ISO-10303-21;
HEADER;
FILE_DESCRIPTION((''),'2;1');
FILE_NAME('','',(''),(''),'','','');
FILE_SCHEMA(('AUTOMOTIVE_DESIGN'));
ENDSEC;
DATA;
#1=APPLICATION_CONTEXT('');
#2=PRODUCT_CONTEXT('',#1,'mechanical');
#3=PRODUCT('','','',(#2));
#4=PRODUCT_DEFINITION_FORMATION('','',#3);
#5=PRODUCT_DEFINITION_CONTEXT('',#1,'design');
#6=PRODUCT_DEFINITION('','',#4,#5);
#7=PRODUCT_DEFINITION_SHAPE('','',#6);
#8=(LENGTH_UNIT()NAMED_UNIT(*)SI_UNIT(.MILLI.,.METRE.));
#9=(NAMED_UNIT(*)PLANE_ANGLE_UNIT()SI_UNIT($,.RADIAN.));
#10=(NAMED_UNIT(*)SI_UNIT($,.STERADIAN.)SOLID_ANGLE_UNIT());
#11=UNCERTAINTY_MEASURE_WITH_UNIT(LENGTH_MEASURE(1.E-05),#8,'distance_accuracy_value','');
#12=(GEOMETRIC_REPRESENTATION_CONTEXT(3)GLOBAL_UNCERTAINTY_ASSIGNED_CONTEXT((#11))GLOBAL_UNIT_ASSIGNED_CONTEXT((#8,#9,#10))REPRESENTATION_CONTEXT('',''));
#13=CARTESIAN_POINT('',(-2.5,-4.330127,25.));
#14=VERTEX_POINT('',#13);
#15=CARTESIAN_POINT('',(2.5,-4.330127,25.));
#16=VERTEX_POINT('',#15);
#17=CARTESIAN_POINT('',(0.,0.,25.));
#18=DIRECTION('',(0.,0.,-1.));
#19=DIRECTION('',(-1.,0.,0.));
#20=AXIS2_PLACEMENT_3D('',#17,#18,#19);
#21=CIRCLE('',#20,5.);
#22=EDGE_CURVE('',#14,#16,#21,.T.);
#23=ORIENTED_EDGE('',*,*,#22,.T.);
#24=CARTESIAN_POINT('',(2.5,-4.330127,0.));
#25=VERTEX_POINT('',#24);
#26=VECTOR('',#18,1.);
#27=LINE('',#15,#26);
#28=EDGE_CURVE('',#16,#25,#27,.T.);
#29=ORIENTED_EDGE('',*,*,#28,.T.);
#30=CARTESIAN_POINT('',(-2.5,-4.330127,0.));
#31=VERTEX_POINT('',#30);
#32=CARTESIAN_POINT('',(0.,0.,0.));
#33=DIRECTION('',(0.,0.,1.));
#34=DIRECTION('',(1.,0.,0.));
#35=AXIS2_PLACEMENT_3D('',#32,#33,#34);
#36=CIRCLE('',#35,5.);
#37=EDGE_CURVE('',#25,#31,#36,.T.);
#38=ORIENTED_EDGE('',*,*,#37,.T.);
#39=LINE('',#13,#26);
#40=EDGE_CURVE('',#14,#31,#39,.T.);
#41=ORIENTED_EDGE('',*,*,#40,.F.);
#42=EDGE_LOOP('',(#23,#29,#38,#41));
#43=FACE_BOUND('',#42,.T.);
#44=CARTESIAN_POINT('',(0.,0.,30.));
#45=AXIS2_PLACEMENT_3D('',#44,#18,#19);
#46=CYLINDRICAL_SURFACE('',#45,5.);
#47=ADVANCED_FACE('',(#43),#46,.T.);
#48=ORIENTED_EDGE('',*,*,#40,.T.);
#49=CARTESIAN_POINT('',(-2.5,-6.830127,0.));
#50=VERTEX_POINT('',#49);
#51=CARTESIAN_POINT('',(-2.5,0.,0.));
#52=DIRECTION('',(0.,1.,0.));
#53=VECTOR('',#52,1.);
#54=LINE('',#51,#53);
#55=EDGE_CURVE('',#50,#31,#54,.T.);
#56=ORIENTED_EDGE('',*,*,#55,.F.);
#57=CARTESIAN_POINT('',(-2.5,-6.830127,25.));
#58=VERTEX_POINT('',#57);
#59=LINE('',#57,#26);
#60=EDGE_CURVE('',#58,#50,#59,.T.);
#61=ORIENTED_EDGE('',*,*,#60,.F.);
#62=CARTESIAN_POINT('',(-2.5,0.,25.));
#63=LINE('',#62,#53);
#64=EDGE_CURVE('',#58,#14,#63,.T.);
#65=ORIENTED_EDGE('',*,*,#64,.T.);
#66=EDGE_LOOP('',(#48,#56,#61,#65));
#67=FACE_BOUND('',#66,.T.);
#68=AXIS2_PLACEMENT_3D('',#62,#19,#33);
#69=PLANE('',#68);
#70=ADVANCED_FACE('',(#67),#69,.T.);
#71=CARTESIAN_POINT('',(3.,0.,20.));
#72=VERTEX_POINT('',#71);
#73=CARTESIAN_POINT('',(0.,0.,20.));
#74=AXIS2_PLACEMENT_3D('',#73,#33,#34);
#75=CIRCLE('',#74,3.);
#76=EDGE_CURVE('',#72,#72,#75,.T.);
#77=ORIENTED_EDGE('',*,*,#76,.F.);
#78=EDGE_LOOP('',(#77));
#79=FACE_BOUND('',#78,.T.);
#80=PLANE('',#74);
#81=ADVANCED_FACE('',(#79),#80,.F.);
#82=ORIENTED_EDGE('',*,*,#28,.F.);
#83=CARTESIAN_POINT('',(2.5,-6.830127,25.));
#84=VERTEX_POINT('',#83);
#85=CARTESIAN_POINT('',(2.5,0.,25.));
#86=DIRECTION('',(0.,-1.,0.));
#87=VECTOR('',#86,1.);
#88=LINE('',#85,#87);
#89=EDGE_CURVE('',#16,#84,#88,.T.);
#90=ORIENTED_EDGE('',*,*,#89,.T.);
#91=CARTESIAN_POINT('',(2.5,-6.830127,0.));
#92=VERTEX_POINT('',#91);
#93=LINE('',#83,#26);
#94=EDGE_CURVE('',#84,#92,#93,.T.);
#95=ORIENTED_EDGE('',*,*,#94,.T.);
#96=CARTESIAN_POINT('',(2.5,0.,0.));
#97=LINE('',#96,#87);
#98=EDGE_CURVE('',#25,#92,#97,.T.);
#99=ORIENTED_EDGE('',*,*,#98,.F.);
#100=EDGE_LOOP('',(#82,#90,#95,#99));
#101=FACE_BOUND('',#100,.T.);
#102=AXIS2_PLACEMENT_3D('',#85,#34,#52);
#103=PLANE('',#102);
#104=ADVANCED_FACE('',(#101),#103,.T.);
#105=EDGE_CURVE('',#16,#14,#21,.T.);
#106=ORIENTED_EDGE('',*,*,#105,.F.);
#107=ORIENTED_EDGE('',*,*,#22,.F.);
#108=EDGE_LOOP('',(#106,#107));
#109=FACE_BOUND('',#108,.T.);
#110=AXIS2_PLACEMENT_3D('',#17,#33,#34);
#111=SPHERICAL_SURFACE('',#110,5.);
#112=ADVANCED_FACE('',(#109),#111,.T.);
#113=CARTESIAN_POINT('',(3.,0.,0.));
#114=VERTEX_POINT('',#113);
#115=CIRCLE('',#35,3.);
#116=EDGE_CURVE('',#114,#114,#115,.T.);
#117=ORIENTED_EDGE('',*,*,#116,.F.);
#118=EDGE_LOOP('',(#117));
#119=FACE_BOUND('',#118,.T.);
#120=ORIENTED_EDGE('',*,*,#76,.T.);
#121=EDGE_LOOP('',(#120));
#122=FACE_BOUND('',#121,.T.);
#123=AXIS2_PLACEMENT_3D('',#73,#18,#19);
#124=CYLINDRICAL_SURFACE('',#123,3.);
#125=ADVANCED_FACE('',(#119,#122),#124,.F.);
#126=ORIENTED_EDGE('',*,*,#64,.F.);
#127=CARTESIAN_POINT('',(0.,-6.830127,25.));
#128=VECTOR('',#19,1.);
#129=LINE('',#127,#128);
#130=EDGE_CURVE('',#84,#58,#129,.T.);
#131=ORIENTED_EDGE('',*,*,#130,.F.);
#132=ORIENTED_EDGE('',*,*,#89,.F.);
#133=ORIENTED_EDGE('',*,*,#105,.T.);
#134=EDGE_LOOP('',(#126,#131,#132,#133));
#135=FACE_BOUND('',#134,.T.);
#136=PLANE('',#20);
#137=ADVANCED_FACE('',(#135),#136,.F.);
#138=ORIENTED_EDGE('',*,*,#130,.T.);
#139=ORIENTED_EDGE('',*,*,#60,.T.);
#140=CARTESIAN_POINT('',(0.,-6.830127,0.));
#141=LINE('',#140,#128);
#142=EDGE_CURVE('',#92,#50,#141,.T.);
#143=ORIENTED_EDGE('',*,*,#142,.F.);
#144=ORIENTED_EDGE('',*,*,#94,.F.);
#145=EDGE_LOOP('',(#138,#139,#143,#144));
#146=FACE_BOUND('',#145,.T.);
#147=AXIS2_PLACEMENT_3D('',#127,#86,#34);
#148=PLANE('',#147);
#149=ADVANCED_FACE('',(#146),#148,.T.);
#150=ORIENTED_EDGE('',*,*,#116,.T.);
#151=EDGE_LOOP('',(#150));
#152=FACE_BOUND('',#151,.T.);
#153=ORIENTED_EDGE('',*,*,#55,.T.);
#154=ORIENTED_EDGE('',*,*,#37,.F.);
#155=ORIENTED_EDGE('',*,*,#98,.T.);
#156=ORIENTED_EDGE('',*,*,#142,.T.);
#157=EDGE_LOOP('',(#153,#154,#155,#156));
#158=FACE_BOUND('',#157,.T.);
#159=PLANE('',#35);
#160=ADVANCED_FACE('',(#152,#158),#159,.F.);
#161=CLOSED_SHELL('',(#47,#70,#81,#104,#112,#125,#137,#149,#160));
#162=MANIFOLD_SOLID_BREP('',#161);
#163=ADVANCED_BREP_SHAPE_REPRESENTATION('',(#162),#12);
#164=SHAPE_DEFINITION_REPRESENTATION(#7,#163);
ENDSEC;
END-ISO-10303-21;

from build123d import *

# Parameters (mm, degrees)
SZKIC1_R                    = 5
DODANIE_WYCI_GNI_CIE1_DEPTH = 30
SZKIC1_3_R                  = 3
WYTNIJ_WYCI_GNI_CIE1_DEPTH  = 20
ZAOKR_GLENIE1_R             = 5
DODANIE_WYCI_GNI_CIE2_DEPTH = 25


with BuildPart() as part:
    # Szkic1 → Dodanie-wyciągnięcie1 (new body)
    with BuildSketch(Plane.XY):
        Circle(SZKIC1_R)
    extrude(amount=DODANIE_WYCI_GNI_CIE1_DEPTH)

    # Szkic1<3> → Wytnij-wyciągnięcie1 (cut)
    with BuildSketch(Plane.XY):
        Circle(SZKIC1_3_R)
    extrude(amount=WYTNIJ_WYCI_GNI_CIE1_DEPTH, mode=Mode.SUBTRACT)

    # Zaokrąglenie1
    zaokr_glenie1_edges = [part.edges().sort_by_distance(p)[0] for p in [
        (-5, 0, 30),
    ]]
    fillet(zaokr_glenie1_edges, radius=ZAOKR_GLENIE1_R)

    # Szkic4 → Dodanie-wyciągnięcie2 (add)
    with BuildSketch(Plane(origin=(0, 0, 0), x_dir=(-1, 0, 0), z_dir=(0, 0, -1))):
        with BuildLine():
            ThreePointArc((2.5, -4.330127019), (0, -5), (-2.5, -4.330127019))
            Line((-2.5, -4.330127019), (-2.5, -6.830127019))
            Line((-2.5, -6.830127019), (2.5, -6.830127019))
            Line((2.5, -6.830127019), (2.5, -4.330127019))
        make_face()
    extrude(amount=-DODANIE_WYCI_GNI_CIE2_DEPTH)


solid = part.part
